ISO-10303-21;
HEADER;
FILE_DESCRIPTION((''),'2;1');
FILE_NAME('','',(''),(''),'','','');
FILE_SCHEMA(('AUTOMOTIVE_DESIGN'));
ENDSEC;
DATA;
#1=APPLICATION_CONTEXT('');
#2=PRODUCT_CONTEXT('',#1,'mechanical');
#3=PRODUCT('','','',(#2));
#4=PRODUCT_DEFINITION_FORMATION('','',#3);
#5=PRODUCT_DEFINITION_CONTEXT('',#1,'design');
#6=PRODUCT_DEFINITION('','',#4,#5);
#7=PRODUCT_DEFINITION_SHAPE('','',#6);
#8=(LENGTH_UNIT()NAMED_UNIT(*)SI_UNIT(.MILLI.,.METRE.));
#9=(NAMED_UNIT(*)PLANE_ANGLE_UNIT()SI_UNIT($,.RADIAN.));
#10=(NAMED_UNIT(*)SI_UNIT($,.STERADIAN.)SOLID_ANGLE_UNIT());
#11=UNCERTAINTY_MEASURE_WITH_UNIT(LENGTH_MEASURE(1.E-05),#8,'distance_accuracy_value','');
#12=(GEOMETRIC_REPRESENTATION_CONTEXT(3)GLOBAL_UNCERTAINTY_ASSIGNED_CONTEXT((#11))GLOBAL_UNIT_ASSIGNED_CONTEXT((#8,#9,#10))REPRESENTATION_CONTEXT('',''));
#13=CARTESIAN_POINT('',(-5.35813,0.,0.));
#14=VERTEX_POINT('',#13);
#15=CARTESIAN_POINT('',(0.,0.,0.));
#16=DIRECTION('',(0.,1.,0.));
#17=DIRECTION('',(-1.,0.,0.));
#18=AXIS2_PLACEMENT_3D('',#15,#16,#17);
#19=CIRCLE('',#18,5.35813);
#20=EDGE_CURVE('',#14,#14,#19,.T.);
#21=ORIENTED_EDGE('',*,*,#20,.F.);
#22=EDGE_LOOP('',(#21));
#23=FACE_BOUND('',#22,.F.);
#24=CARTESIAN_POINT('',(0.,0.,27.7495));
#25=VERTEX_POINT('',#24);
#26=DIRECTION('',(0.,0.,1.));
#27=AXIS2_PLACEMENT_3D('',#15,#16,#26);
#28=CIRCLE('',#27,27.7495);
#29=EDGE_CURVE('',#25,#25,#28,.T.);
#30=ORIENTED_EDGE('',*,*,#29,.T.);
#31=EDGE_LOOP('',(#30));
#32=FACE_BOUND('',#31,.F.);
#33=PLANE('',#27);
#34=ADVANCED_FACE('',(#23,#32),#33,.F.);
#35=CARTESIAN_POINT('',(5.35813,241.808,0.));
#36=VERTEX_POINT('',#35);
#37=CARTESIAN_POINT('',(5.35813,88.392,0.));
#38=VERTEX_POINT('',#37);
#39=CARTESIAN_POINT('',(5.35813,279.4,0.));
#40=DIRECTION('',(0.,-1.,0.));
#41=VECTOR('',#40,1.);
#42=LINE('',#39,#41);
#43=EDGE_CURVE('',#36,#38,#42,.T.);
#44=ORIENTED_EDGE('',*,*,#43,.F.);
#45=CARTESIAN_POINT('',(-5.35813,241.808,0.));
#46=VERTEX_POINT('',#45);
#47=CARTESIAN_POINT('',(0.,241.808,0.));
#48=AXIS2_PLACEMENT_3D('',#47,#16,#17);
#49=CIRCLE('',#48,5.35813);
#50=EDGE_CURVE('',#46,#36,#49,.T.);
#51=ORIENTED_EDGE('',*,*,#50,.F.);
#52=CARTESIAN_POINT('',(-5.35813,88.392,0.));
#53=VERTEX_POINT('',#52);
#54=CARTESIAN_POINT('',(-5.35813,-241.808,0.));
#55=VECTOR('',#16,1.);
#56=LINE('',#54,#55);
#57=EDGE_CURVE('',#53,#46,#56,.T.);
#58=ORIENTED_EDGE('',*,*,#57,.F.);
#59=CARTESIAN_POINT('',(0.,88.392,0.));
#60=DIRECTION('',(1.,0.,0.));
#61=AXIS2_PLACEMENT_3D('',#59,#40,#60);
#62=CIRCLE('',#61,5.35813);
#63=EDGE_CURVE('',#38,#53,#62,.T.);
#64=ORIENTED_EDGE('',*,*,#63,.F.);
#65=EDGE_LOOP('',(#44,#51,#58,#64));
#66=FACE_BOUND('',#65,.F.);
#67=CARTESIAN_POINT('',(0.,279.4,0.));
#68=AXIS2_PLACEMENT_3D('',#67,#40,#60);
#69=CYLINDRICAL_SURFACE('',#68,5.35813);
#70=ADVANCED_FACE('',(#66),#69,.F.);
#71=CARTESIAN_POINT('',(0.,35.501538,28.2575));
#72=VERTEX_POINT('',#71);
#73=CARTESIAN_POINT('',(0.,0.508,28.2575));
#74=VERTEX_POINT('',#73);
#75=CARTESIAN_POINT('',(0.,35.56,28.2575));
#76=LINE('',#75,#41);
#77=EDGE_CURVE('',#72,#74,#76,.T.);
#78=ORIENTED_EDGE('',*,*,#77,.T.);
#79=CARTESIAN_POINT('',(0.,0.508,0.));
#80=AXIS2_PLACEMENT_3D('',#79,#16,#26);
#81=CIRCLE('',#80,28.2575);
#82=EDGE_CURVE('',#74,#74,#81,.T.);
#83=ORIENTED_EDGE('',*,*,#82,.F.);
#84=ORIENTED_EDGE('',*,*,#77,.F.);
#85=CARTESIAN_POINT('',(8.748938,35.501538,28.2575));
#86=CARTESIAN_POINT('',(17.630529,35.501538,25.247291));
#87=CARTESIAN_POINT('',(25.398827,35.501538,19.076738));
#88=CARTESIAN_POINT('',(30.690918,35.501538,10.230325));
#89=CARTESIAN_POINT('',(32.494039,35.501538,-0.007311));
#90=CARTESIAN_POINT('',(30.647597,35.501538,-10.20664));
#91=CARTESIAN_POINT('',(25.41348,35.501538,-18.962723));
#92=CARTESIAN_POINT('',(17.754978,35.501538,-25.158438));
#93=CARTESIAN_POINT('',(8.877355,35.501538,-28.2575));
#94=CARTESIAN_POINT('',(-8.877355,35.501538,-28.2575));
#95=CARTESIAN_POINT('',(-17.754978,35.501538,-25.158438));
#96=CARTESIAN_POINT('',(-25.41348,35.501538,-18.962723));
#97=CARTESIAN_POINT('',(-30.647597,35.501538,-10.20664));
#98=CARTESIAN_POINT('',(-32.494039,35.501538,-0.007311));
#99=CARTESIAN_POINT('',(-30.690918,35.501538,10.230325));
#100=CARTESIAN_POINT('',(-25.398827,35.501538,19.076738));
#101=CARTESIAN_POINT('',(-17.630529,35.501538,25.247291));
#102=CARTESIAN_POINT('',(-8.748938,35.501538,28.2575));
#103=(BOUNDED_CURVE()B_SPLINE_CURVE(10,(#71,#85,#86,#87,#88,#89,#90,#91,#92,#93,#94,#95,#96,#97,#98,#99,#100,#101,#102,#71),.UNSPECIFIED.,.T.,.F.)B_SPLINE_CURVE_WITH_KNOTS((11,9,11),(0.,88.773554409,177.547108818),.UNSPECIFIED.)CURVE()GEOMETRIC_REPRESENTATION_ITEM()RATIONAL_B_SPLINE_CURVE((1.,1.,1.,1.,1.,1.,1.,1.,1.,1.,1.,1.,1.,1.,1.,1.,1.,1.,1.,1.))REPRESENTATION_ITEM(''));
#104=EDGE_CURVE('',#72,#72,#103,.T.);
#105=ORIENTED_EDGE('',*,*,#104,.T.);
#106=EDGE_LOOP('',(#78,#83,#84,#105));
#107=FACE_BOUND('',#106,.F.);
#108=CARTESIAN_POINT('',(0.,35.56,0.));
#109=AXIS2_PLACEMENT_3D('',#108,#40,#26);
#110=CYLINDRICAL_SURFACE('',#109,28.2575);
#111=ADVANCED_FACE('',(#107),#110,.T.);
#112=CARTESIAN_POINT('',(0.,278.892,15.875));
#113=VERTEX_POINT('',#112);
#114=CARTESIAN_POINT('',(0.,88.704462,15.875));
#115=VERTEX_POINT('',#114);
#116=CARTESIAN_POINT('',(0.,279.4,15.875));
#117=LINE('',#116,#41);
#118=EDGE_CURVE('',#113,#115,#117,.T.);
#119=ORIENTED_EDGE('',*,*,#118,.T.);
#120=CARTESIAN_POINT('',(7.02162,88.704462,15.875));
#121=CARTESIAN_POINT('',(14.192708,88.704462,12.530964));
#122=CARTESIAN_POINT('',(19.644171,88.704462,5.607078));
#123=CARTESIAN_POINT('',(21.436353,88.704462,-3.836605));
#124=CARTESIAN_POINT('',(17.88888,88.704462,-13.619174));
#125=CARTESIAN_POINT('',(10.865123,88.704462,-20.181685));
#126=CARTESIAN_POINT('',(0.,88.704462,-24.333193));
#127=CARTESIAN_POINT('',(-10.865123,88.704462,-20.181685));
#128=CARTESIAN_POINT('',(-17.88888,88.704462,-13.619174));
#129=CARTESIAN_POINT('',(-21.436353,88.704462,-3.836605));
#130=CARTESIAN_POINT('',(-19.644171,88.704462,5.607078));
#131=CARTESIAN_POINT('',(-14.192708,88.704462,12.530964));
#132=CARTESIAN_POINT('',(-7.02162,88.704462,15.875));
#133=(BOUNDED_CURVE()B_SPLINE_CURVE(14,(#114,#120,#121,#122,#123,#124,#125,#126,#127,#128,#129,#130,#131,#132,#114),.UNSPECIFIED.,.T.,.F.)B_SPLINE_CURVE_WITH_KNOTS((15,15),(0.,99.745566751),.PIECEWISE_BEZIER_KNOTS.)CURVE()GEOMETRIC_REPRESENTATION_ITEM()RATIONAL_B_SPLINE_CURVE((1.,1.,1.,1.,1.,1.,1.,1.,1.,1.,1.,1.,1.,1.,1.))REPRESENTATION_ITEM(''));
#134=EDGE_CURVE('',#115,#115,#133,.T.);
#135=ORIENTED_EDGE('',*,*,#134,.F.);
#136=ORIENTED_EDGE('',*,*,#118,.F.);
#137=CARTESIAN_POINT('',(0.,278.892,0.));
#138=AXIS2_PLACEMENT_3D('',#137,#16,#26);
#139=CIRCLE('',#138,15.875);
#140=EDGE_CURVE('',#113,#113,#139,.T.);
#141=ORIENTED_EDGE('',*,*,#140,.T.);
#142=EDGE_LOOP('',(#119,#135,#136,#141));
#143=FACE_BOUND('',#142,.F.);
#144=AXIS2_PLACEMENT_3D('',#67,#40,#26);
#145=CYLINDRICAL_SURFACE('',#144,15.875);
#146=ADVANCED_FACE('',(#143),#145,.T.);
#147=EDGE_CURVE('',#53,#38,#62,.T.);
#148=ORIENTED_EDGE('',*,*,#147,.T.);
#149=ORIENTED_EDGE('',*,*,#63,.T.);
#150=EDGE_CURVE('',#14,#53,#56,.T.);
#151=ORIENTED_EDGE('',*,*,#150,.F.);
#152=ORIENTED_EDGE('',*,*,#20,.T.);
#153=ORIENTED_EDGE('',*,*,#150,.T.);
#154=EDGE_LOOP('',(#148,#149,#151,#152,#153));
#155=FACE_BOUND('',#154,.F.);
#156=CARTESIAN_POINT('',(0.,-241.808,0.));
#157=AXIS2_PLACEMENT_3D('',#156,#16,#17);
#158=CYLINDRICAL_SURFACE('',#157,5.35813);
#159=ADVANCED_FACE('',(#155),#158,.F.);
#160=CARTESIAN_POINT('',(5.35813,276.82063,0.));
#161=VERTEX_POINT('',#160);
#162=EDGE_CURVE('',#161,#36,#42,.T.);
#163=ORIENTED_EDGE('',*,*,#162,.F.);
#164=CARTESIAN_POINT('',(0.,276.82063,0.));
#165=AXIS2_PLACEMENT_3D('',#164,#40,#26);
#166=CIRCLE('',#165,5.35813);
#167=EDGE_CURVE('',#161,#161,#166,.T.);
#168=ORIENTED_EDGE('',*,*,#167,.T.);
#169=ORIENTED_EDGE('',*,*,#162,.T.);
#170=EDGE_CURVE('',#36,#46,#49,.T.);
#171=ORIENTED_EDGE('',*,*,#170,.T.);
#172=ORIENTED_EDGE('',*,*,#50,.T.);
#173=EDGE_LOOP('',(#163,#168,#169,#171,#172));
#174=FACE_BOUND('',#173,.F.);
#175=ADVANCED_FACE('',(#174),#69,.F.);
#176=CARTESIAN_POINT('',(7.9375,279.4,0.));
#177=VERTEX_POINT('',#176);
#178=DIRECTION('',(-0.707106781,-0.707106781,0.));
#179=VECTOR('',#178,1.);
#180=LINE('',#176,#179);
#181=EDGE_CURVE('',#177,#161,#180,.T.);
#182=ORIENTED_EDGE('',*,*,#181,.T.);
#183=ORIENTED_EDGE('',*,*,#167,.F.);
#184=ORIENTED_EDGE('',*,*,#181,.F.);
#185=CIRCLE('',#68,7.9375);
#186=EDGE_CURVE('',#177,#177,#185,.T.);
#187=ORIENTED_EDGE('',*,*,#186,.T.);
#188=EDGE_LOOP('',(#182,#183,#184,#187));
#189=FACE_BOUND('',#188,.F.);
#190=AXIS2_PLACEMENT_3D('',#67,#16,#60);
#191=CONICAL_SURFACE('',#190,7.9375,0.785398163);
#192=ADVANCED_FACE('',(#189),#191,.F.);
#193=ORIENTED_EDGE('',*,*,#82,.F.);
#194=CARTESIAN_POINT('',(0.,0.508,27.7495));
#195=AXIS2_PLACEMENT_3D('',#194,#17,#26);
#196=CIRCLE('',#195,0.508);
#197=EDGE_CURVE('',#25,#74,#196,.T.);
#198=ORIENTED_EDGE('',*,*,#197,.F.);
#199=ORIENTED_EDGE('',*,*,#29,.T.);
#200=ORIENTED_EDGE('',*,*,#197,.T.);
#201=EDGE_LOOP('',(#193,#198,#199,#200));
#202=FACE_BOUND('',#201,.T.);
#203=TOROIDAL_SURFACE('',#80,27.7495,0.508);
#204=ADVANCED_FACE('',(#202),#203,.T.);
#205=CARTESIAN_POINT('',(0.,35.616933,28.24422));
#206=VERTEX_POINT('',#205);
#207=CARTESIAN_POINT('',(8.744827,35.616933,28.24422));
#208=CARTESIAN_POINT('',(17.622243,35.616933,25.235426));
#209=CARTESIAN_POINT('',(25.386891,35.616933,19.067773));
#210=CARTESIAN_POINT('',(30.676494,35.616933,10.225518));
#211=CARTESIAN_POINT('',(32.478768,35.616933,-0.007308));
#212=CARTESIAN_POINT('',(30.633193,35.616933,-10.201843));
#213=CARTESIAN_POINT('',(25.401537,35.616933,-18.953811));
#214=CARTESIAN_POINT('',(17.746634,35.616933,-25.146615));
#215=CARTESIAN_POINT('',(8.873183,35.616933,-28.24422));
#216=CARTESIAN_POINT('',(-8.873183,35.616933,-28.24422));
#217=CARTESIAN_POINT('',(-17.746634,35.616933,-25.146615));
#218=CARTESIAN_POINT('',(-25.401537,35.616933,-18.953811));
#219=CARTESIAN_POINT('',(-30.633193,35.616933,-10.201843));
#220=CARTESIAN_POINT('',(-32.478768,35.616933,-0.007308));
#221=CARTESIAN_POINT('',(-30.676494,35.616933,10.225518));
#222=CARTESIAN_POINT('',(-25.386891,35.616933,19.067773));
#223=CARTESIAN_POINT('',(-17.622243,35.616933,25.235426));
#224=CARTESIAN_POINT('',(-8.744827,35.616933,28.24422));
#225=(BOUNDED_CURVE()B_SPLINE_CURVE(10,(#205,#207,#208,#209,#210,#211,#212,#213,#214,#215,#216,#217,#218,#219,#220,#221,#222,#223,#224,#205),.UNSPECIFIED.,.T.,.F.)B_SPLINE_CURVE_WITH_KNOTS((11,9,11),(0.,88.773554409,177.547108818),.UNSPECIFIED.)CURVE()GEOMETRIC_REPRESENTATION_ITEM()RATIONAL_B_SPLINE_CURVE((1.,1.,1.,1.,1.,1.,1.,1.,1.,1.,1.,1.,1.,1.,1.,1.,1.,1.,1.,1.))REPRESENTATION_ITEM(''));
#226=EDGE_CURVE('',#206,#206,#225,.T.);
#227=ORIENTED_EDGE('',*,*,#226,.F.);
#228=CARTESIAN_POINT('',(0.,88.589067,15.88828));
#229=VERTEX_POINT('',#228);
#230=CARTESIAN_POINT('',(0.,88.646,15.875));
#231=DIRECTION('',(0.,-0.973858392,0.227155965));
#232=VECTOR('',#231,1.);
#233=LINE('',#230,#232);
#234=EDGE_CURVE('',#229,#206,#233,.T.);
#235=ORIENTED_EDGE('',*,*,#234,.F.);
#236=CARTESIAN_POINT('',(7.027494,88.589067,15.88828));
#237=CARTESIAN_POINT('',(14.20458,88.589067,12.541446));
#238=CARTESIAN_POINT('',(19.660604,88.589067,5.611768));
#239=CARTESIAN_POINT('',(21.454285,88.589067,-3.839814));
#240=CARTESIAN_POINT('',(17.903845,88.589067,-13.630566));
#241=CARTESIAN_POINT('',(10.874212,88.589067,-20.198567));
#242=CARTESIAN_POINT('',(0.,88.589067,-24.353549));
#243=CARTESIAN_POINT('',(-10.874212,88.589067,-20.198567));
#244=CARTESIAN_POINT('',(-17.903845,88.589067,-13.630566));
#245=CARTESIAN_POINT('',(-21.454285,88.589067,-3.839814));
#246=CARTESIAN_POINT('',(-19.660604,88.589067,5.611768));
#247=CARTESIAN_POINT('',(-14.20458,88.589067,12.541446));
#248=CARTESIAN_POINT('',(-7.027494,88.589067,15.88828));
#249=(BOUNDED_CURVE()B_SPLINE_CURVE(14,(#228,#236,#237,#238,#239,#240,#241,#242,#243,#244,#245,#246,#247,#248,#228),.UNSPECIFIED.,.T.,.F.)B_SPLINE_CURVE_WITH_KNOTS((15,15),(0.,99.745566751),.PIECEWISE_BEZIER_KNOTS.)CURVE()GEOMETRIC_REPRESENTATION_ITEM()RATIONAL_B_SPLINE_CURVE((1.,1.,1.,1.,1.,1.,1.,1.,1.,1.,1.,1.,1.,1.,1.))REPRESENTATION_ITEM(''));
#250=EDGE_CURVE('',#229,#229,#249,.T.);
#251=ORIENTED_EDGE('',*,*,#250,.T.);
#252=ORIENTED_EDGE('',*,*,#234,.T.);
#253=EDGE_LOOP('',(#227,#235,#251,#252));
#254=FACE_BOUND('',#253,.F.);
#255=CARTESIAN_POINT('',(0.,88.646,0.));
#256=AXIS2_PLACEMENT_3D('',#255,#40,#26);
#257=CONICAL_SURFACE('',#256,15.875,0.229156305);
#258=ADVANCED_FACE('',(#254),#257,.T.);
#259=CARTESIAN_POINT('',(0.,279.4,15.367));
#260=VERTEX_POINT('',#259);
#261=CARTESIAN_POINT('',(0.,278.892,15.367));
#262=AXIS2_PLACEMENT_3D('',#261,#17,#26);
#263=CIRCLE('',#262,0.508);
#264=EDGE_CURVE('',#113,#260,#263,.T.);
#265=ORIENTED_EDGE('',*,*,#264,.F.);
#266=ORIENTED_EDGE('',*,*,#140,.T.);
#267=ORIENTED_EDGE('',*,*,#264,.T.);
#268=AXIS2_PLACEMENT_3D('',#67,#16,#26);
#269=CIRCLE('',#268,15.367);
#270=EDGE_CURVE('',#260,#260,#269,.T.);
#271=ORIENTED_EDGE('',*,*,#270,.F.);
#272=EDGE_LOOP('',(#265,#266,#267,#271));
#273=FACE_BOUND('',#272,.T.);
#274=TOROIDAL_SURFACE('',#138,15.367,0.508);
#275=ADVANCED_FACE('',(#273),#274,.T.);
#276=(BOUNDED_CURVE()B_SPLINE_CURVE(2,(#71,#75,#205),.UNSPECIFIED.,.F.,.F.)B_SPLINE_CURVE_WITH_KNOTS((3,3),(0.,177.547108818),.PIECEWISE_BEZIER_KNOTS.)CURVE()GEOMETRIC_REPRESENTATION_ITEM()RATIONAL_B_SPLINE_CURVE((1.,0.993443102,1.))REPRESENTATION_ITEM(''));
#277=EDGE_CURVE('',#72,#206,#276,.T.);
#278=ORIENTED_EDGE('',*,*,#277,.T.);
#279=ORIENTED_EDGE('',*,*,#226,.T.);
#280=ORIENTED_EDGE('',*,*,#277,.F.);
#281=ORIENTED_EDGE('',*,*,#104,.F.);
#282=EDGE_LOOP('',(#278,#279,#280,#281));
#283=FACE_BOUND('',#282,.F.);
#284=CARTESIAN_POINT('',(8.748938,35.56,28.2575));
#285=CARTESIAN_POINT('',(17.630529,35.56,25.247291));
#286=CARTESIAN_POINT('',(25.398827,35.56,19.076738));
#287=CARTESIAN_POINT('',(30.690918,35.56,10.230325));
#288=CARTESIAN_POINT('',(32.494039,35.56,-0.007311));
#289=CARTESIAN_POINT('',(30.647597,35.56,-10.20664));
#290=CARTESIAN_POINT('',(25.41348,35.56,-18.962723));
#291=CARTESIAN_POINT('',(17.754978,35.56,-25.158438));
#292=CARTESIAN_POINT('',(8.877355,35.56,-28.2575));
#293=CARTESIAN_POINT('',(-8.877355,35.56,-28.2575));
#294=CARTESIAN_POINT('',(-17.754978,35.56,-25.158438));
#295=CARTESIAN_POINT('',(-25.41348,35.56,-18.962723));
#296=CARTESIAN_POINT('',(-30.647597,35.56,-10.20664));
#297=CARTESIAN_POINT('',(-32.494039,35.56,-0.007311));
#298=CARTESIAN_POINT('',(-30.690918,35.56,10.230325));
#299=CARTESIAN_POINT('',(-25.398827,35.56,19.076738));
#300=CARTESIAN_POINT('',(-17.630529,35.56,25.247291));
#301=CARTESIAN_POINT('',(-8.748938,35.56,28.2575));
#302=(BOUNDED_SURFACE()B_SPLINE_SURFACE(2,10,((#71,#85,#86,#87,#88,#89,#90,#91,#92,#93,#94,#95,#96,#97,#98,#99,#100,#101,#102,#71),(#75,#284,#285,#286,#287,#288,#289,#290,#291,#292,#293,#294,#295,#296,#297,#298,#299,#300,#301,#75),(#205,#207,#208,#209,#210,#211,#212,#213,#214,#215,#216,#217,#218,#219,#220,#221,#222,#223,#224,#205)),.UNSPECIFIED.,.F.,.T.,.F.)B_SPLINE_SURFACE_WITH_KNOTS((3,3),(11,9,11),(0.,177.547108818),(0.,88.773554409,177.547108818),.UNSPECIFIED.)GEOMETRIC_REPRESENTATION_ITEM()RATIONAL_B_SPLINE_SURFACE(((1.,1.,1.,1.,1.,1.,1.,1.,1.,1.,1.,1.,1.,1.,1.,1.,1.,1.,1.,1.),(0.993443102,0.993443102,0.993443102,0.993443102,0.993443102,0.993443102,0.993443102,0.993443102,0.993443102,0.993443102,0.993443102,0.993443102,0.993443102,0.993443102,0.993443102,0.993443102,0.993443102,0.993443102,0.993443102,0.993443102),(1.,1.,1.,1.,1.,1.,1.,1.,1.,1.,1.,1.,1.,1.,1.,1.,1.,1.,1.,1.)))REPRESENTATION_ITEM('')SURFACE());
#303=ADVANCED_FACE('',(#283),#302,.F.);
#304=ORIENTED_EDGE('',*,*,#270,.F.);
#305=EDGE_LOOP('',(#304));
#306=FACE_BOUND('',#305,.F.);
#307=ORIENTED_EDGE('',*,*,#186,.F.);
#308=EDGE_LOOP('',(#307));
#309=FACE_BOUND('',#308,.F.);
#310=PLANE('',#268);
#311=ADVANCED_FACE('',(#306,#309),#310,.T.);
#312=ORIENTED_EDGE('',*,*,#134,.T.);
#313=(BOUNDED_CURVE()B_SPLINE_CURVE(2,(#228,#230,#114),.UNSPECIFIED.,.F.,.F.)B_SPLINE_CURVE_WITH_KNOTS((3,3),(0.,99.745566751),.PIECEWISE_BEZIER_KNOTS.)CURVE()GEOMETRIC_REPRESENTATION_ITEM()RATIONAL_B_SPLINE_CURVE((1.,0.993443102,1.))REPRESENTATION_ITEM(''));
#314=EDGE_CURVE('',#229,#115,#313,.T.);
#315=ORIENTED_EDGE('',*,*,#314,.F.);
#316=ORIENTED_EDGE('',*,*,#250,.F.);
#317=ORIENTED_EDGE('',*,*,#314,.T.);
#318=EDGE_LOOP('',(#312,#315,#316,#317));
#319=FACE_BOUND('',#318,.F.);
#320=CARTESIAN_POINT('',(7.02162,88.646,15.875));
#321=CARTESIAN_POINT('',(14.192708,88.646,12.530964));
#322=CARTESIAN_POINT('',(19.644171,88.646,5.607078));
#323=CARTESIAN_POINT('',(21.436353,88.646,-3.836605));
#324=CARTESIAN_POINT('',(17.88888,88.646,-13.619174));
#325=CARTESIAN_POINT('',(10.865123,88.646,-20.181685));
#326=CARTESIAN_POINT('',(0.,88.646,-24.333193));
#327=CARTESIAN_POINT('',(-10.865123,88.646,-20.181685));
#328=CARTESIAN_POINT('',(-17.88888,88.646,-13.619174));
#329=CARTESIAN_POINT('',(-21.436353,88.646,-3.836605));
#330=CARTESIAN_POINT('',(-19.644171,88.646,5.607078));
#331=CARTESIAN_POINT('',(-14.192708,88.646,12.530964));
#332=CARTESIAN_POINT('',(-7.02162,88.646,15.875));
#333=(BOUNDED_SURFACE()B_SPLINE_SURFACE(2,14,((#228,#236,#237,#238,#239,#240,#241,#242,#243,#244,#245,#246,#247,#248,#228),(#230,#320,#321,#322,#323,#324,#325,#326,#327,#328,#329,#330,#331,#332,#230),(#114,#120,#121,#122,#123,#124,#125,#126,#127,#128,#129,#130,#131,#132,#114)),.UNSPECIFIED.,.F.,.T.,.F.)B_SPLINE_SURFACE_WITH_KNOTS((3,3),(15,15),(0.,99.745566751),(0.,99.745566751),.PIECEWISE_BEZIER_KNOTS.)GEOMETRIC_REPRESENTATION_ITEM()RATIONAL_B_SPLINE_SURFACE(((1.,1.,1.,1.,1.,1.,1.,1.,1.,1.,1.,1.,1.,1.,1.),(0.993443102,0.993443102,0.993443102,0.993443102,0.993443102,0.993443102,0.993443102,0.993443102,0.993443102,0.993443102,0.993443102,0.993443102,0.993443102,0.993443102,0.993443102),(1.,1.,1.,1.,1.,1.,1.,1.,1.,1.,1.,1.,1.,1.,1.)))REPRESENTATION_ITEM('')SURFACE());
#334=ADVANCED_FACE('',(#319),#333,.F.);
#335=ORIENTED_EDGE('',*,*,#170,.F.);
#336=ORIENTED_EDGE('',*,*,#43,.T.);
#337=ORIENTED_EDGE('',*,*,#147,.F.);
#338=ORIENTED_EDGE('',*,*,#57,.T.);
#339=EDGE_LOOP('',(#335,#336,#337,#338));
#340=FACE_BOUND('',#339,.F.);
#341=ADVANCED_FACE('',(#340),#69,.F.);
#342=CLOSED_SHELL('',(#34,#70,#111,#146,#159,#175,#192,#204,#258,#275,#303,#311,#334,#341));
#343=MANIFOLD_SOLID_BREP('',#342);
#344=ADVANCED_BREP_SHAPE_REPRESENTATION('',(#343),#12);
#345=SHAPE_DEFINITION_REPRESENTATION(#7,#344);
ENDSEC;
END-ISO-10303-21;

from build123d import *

# Parameters (mm, degrees)
F3_D           = 10.71626
F3_DEPTH       = 191.008
F3_CSINK_D     = 15.875
F3_CSINK_ANGLE = 90
F5_D           = 10.71626
F5_DEPTH       = 241.808
F6_R           = 0.508


with BuildPart() as f1:
    # F0 (on Right) → F1 (revolve)
    with BuildSketch(Plane.YZ):
        Polygon((0, 28.2575), (0, 0), (279.4, 0), (279.4, 15.875), (88.646, 15.875), (35.56, 28.2575), align=None)
    revolve(axis=Axis((0, 139.7, 0), (0, 1, 0)))

    # F3
    with Locations(Plane(origin=(0, 279.4, 0), x_dir=(-1, 0, 0), z_dir=(0, 1, 0))):
        with Locations((0, 0)):
            CounterSinkHole(F3_D / 2, F3_CSINK_D / 2, depth=F3_DEPTH, counter_sink_angle=F3_CSINK_ANGLE)

    # F5
    with Locations(Plane.XZ):
        with Locations((0, 0)):
            Hole(F5_D / 2, depth=F5_DEPTH)

    # F6
    f6_edges = [f1.edges().sort_by_distance(p)[0] for p in [
        (0, 0, -28.2575),
        (0, 35.56, -28.2575),
        (0, 88.646, -15.875),
        (0, 279.4, -15.875),
    ]]
    fillet(f6_edges, radius=F6_R)


solid = f1.part
